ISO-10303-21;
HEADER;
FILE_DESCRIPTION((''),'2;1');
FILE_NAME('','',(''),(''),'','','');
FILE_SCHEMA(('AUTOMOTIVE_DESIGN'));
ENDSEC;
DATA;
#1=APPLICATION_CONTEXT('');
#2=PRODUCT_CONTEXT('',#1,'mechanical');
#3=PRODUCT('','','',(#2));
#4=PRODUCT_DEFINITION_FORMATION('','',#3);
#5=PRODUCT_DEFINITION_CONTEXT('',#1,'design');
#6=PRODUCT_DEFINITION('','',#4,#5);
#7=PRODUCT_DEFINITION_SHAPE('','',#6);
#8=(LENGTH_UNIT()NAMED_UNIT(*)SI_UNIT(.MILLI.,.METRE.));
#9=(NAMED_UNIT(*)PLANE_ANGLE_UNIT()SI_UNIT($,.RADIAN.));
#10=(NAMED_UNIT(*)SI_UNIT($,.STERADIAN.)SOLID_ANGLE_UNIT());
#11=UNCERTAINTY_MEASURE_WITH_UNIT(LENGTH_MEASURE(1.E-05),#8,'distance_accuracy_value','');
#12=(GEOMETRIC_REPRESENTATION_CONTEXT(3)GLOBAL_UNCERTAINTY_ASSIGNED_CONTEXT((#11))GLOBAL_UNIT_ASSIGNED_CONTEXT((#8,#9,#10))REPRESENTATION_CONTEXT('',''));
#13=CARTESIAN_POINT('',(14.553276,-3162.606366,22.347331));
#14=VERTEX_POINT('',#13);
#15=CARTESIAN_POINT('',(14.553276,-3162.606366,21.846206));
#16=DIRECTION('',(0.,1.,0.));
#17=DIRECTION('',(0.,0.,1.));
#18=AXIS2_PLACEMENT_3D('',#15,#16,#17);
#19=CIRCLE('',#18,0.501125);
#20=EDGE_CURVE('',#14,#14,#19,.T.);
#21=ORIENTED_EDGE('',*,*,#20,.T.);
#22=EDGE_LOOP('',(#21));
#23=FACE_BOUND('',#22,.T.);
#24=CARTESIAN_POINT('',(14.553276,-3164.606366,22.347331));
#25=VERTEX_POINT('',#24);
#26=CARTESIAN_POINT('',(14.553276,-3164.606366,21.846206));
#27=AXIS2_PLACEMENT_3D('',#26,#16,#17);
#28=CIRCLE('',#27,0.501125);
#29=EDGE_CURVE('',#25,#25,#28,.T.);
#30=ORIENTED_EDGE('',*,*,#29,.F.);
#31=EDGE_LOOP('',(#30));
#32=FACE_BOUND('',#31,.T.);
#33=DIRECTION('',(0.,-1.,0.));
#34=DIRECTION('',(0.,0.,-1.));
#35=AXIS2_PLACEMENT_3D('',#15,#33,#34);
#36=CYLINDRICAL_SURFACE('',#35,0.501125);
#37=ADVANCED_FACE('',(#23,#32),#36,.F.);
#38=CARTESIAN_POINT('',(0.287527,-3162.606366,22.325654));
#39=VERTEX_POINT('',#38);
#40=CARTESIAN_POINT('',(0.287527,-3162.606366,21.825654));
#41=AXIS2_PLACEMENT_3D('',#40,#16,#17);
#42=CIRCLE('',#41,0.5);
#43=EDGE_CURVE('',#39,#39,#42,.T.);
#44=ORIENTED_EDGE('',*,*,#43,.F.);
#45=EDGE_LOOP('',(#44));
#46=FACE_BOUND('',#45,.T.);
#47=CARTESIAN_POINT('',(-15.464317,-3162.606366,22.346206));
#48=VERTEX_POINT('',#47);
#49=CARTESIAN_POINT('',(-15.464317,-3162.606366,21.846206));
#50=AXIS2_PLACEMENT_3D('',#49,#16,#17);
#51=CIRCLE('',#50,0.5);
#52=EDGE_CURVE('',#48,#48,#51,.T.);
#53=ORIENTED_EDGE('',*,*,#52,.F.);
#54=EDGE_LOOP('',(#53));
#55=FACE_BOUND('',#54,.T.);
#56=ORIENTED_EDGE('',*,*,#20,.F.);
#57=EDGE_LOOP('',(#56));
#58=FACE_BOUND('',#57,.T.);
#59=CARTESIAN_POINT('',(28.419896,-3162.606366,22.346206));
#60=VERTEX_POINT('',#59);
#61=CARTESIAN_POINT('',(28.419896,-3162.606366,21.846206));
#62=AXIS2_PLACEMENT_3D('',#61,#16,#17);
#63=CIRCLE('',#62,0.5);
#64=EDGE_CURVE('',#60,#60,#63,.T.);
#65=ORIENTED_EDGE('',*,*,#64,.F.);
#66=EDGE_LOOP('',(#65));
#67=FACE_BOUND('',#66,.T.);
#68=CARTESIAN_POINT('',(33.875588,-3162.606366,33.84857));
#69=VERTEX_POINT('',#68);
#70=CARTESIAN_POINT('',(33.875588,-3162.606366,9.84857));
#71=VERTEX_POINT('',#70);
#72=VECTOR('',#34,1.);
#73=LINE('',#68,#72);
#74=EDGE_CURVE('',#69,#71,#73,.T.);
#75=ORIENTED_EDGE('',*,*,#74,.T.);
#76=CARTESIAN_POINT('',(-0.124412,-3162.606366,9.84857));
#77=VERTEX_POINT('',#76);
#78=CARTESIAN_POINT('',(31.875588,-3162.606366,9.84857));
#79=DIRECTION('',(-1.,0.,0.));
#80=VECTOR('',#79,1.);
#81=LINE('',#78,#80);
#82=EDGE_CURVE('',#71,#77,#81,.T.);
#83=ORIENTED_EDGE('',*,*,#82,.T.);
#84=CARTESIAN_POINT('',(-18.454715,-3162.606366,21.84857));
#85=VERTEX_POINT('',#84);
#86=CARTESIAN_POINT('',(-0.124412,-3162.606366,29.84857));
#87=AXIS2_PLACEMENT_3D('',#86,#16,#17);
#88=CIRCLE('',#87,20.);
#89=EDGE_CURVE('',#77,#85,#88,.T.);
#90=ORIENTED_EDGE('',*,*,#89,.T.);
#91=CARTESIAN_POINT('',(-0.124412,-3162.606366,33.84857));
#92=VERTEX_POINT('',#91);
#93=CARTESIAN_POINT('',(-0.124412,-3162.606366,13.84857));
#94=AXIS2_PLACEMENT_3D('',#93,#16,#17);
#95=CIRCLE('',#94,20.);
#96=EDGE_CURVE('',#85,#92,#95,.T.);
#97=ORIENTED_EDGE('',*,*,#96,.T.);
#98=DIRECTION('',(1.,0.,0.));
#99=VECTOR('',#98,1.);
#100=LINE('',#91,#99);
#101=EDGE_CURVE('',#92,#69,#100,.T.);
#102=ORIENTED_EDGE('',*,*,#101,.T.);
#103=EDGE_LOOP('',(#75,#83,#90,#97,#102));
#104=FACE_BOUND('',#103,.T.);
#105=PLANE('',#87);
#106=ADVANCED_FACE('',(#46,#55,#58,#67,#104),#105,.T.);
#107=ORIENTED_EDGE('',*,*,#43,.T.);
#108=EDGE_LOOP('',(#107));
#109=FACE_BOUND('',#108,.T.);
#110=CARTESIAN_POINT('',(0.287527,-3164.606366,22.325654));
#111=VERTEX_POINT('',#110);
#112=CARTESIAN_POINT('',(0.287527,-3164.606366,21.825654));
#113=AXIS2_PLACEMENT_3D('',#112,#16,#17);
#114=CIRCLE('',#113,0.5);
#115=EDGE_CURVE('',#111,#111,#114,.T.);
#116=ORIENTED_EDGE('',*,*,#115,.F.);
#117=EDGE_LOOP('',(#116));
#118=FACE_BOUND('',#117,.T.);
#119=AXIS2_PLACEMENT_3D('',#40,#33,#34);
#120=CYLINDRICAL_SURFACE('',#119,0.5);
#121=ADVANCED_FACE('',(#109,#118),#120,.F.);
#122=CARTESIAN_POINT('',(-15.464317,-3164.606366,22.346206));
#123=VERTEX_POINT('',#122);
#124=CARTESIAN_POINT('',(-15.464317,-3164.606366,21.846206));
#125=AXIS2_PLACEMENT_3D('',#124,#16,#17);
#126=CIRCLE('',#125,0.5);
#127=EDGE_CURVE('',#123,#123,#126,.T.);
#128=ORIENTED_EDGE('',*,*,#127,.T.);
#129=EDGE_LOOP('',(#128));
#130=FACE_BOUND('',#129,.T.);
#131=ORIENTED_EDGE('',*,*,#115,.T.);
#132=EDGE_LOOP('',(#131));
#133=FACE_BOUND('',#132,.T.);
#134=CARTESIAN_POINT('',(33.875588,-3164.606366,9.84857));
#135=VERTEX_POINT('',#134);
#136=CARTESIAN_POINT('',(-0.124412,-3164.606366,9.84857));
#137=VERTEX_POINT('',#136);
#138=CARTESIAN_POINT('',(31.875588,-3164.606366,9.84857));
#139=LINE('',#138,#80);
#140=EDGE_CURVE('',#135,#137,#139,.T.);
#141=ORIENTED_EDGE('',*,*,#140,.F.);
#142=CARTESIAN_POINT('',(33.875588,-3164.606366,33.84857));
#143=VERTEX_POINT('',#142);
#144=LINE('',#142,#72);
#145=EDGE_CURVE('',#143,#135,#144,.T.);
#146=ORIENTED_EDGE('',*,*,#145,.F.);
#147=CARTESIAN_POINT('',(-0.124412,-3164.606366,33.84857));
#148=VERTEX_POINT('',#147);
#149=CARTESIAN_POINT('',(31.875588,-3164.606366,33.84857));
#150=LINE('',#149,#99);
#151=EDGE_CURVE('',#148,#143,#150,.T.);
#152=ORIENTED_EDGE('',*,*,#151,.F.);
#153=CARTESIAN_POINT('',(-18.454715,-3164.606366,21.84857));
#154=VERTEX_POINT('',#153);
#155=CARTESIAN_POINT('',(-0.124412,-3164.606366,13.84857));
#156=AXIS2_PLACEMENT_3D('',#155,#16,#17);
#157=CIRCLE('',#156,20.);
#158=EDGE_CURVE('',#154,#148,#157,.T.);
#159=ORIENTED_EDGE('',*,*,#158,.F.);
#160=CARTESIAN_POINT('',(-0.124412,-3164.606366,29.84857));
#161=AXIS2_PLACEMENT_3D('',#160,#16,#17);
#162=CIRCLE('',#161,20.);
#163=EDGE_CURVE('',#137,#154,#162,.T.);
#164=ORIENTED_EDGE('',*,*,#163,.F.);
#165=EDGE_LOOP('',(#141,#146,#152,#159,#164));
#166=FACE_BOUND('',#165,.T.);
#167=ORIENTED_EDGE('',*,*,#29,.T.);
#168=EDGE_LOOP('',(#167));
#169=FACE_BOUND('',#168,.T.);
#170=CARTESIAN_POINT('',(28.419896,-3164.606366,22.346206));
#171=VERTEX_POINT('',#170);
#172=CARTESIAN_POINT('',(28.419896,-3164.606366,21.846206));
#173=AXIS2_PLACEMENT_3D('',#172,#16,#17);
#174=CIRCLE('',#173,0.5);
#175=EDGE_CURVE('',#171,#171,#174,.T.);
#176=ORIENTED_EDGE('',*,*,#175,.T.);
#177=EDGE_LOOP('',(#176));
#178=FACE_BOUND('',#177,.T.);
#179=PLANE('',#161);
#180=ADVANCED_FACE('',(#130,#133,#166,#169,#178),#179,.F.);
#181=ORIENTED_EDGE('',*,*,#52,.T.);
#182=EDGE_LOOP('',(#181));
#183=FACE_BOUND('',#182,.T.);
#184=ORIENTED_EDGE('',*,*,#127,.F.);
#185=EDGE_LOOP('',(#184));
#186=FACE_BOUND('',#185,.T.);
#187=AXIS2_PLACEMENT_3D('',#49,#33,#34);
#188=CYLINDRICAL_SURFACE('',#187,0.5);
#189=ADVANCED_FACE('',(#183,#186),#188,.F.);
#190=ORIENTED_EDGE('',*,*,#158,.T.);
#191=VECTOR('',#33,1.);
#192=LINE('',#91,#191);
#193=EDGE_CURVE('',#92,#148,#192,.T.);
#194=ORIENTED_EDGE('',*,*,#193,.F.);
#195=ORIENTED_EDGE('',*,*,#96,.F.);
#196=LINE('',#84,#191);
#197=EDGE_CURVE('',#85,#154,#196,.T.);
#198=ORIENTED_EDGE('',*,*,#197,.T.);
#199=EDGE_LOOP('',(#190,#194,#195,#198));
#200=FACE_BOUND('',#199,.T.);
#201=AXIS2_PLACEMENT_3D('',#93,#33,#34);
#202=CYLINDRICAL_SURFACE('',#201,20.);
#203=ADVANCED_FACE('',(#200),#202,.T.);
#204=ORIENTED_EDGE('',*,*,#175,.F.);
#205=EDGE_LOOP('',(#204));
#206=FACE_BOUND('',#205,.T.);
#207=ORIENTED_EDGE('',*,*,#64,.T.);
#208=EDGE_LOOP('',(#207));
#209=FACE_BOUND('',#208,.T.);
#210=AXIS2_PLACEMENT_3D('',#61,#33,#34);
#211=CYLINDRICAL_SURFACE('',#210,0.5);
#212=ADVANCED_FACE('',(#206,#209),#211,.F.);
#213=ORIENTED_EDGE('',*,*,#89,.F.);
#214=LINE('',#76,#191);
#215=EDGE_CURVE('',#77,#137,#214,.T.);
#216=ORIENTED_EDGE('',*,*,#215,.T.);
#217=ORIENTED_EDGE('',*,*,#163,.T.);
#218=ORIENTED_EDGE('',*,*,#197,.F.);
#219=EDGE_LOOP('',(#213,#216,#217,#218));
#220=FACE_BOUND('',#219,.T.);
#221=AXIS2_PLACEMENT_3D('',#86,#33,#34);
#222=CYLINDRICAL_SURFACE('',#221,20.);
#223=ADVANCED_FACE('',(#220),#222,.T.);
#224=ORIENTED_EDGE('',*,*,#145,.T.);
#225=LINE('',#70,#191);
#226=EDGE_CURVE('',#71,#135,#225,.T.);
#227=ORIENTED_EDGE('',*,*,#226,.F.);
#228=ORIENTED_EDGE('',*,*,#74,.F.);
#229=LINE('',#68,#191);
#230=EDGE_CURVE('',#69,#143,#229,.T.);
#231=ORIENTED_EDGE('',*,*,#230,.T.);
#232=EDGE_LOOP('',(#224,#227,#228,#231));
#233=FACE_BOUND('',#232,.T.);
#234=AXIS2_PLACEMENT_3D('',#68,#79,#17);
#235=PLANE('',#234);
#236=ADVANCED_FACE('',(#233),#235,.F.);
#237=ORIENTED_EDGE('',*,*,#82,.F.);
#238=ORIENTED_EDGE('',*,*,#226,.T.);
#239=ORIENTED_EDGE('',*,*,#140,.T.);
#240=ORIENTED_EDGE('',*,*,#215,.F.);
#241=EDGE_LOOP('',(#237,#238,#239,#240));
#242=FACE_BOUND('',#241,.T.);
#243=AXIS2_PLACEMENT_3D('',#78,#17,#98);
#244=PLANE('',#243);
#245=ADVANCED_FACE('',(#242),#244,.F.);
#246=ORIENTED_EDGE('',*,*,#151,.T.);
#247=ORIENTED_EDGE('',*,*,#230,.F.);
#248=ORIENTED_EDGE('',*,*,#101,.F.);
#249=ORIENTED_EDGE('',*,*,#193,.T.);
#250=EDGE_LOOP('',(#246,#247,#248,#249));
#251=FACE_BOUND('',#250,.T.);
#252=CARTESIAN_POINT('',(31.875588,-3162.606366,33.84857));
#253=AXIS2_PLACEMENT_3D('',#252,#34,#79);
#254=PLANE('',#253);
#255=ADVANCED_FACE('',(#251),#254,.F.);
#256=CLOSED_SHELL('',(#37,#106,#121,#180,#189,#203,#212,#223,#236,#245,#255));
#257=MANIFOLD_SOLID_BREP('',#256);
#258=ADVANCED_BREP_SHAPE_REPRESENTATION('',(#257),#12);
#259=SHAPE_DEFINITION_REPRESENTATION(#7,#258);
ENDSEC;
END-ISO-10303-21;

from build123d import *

# Parameters (mm, degrees)
SKETCH1_R           = 0.5
SKETCH1_R_2         = 0.501124618
BOSS_EXTRUDE1_DEPTH = 2


with BuildPart() as part:
    # Sketch1 → Boss-Extrude1 (new body)
    with BuildSketch(Plane(origin=(3.665299607, -3164.606366481, 1.228377955), x_dir=(1, 0, 0), z_dir=(0, 1, 0))):
        with BuildLine():
            Line((28.210288662, -32.620192101), (30.210288662, -32.620192101))
            Line((30.210288662, -32.620192101), (30.210288662, -8.620192101))
            Line((30.210288662, -8.620192101), (28.210288662, -8.620192101))
            Line((28.210288662, -8.620192101), (-3.789711338, -8.620192101))
            ThreePointArc((-3.789711338, -8.620192101), (-14.744162488, -11.88699157), (-22.120014118, -20.620192101))
            ThreePointArc((-22.120014118, -20.620192101), (-14.744162488, -29.353392632), (-3.789711338, -32.620192101))
            Line((-3.789711338, -32.620192101), (28.210288662, -32.620192101))
        make_face()
        with Locations((-19.129616691, -20.617828064)):
            Circle(SKETCH1_R, mode=Mode.SUBTRACT)
        with Locations((24.75459638, -20.617828064)):
            Circle(SKETCH1_R, mode=Mode.SUBTRACT)
        with Locations((10.8879759, -20.617828064)):
            Circle(SKETCH1_R_2, mode=Mode.SUBTRACT)
        with Locations((-3.377772721, -20.597275642)):
            Circle(SKETCH1_R, mode=Mode.SUBTRACT)
    extrude(amount=BOSS_EXTRUDE1_DEPTH)


solid = part.part
